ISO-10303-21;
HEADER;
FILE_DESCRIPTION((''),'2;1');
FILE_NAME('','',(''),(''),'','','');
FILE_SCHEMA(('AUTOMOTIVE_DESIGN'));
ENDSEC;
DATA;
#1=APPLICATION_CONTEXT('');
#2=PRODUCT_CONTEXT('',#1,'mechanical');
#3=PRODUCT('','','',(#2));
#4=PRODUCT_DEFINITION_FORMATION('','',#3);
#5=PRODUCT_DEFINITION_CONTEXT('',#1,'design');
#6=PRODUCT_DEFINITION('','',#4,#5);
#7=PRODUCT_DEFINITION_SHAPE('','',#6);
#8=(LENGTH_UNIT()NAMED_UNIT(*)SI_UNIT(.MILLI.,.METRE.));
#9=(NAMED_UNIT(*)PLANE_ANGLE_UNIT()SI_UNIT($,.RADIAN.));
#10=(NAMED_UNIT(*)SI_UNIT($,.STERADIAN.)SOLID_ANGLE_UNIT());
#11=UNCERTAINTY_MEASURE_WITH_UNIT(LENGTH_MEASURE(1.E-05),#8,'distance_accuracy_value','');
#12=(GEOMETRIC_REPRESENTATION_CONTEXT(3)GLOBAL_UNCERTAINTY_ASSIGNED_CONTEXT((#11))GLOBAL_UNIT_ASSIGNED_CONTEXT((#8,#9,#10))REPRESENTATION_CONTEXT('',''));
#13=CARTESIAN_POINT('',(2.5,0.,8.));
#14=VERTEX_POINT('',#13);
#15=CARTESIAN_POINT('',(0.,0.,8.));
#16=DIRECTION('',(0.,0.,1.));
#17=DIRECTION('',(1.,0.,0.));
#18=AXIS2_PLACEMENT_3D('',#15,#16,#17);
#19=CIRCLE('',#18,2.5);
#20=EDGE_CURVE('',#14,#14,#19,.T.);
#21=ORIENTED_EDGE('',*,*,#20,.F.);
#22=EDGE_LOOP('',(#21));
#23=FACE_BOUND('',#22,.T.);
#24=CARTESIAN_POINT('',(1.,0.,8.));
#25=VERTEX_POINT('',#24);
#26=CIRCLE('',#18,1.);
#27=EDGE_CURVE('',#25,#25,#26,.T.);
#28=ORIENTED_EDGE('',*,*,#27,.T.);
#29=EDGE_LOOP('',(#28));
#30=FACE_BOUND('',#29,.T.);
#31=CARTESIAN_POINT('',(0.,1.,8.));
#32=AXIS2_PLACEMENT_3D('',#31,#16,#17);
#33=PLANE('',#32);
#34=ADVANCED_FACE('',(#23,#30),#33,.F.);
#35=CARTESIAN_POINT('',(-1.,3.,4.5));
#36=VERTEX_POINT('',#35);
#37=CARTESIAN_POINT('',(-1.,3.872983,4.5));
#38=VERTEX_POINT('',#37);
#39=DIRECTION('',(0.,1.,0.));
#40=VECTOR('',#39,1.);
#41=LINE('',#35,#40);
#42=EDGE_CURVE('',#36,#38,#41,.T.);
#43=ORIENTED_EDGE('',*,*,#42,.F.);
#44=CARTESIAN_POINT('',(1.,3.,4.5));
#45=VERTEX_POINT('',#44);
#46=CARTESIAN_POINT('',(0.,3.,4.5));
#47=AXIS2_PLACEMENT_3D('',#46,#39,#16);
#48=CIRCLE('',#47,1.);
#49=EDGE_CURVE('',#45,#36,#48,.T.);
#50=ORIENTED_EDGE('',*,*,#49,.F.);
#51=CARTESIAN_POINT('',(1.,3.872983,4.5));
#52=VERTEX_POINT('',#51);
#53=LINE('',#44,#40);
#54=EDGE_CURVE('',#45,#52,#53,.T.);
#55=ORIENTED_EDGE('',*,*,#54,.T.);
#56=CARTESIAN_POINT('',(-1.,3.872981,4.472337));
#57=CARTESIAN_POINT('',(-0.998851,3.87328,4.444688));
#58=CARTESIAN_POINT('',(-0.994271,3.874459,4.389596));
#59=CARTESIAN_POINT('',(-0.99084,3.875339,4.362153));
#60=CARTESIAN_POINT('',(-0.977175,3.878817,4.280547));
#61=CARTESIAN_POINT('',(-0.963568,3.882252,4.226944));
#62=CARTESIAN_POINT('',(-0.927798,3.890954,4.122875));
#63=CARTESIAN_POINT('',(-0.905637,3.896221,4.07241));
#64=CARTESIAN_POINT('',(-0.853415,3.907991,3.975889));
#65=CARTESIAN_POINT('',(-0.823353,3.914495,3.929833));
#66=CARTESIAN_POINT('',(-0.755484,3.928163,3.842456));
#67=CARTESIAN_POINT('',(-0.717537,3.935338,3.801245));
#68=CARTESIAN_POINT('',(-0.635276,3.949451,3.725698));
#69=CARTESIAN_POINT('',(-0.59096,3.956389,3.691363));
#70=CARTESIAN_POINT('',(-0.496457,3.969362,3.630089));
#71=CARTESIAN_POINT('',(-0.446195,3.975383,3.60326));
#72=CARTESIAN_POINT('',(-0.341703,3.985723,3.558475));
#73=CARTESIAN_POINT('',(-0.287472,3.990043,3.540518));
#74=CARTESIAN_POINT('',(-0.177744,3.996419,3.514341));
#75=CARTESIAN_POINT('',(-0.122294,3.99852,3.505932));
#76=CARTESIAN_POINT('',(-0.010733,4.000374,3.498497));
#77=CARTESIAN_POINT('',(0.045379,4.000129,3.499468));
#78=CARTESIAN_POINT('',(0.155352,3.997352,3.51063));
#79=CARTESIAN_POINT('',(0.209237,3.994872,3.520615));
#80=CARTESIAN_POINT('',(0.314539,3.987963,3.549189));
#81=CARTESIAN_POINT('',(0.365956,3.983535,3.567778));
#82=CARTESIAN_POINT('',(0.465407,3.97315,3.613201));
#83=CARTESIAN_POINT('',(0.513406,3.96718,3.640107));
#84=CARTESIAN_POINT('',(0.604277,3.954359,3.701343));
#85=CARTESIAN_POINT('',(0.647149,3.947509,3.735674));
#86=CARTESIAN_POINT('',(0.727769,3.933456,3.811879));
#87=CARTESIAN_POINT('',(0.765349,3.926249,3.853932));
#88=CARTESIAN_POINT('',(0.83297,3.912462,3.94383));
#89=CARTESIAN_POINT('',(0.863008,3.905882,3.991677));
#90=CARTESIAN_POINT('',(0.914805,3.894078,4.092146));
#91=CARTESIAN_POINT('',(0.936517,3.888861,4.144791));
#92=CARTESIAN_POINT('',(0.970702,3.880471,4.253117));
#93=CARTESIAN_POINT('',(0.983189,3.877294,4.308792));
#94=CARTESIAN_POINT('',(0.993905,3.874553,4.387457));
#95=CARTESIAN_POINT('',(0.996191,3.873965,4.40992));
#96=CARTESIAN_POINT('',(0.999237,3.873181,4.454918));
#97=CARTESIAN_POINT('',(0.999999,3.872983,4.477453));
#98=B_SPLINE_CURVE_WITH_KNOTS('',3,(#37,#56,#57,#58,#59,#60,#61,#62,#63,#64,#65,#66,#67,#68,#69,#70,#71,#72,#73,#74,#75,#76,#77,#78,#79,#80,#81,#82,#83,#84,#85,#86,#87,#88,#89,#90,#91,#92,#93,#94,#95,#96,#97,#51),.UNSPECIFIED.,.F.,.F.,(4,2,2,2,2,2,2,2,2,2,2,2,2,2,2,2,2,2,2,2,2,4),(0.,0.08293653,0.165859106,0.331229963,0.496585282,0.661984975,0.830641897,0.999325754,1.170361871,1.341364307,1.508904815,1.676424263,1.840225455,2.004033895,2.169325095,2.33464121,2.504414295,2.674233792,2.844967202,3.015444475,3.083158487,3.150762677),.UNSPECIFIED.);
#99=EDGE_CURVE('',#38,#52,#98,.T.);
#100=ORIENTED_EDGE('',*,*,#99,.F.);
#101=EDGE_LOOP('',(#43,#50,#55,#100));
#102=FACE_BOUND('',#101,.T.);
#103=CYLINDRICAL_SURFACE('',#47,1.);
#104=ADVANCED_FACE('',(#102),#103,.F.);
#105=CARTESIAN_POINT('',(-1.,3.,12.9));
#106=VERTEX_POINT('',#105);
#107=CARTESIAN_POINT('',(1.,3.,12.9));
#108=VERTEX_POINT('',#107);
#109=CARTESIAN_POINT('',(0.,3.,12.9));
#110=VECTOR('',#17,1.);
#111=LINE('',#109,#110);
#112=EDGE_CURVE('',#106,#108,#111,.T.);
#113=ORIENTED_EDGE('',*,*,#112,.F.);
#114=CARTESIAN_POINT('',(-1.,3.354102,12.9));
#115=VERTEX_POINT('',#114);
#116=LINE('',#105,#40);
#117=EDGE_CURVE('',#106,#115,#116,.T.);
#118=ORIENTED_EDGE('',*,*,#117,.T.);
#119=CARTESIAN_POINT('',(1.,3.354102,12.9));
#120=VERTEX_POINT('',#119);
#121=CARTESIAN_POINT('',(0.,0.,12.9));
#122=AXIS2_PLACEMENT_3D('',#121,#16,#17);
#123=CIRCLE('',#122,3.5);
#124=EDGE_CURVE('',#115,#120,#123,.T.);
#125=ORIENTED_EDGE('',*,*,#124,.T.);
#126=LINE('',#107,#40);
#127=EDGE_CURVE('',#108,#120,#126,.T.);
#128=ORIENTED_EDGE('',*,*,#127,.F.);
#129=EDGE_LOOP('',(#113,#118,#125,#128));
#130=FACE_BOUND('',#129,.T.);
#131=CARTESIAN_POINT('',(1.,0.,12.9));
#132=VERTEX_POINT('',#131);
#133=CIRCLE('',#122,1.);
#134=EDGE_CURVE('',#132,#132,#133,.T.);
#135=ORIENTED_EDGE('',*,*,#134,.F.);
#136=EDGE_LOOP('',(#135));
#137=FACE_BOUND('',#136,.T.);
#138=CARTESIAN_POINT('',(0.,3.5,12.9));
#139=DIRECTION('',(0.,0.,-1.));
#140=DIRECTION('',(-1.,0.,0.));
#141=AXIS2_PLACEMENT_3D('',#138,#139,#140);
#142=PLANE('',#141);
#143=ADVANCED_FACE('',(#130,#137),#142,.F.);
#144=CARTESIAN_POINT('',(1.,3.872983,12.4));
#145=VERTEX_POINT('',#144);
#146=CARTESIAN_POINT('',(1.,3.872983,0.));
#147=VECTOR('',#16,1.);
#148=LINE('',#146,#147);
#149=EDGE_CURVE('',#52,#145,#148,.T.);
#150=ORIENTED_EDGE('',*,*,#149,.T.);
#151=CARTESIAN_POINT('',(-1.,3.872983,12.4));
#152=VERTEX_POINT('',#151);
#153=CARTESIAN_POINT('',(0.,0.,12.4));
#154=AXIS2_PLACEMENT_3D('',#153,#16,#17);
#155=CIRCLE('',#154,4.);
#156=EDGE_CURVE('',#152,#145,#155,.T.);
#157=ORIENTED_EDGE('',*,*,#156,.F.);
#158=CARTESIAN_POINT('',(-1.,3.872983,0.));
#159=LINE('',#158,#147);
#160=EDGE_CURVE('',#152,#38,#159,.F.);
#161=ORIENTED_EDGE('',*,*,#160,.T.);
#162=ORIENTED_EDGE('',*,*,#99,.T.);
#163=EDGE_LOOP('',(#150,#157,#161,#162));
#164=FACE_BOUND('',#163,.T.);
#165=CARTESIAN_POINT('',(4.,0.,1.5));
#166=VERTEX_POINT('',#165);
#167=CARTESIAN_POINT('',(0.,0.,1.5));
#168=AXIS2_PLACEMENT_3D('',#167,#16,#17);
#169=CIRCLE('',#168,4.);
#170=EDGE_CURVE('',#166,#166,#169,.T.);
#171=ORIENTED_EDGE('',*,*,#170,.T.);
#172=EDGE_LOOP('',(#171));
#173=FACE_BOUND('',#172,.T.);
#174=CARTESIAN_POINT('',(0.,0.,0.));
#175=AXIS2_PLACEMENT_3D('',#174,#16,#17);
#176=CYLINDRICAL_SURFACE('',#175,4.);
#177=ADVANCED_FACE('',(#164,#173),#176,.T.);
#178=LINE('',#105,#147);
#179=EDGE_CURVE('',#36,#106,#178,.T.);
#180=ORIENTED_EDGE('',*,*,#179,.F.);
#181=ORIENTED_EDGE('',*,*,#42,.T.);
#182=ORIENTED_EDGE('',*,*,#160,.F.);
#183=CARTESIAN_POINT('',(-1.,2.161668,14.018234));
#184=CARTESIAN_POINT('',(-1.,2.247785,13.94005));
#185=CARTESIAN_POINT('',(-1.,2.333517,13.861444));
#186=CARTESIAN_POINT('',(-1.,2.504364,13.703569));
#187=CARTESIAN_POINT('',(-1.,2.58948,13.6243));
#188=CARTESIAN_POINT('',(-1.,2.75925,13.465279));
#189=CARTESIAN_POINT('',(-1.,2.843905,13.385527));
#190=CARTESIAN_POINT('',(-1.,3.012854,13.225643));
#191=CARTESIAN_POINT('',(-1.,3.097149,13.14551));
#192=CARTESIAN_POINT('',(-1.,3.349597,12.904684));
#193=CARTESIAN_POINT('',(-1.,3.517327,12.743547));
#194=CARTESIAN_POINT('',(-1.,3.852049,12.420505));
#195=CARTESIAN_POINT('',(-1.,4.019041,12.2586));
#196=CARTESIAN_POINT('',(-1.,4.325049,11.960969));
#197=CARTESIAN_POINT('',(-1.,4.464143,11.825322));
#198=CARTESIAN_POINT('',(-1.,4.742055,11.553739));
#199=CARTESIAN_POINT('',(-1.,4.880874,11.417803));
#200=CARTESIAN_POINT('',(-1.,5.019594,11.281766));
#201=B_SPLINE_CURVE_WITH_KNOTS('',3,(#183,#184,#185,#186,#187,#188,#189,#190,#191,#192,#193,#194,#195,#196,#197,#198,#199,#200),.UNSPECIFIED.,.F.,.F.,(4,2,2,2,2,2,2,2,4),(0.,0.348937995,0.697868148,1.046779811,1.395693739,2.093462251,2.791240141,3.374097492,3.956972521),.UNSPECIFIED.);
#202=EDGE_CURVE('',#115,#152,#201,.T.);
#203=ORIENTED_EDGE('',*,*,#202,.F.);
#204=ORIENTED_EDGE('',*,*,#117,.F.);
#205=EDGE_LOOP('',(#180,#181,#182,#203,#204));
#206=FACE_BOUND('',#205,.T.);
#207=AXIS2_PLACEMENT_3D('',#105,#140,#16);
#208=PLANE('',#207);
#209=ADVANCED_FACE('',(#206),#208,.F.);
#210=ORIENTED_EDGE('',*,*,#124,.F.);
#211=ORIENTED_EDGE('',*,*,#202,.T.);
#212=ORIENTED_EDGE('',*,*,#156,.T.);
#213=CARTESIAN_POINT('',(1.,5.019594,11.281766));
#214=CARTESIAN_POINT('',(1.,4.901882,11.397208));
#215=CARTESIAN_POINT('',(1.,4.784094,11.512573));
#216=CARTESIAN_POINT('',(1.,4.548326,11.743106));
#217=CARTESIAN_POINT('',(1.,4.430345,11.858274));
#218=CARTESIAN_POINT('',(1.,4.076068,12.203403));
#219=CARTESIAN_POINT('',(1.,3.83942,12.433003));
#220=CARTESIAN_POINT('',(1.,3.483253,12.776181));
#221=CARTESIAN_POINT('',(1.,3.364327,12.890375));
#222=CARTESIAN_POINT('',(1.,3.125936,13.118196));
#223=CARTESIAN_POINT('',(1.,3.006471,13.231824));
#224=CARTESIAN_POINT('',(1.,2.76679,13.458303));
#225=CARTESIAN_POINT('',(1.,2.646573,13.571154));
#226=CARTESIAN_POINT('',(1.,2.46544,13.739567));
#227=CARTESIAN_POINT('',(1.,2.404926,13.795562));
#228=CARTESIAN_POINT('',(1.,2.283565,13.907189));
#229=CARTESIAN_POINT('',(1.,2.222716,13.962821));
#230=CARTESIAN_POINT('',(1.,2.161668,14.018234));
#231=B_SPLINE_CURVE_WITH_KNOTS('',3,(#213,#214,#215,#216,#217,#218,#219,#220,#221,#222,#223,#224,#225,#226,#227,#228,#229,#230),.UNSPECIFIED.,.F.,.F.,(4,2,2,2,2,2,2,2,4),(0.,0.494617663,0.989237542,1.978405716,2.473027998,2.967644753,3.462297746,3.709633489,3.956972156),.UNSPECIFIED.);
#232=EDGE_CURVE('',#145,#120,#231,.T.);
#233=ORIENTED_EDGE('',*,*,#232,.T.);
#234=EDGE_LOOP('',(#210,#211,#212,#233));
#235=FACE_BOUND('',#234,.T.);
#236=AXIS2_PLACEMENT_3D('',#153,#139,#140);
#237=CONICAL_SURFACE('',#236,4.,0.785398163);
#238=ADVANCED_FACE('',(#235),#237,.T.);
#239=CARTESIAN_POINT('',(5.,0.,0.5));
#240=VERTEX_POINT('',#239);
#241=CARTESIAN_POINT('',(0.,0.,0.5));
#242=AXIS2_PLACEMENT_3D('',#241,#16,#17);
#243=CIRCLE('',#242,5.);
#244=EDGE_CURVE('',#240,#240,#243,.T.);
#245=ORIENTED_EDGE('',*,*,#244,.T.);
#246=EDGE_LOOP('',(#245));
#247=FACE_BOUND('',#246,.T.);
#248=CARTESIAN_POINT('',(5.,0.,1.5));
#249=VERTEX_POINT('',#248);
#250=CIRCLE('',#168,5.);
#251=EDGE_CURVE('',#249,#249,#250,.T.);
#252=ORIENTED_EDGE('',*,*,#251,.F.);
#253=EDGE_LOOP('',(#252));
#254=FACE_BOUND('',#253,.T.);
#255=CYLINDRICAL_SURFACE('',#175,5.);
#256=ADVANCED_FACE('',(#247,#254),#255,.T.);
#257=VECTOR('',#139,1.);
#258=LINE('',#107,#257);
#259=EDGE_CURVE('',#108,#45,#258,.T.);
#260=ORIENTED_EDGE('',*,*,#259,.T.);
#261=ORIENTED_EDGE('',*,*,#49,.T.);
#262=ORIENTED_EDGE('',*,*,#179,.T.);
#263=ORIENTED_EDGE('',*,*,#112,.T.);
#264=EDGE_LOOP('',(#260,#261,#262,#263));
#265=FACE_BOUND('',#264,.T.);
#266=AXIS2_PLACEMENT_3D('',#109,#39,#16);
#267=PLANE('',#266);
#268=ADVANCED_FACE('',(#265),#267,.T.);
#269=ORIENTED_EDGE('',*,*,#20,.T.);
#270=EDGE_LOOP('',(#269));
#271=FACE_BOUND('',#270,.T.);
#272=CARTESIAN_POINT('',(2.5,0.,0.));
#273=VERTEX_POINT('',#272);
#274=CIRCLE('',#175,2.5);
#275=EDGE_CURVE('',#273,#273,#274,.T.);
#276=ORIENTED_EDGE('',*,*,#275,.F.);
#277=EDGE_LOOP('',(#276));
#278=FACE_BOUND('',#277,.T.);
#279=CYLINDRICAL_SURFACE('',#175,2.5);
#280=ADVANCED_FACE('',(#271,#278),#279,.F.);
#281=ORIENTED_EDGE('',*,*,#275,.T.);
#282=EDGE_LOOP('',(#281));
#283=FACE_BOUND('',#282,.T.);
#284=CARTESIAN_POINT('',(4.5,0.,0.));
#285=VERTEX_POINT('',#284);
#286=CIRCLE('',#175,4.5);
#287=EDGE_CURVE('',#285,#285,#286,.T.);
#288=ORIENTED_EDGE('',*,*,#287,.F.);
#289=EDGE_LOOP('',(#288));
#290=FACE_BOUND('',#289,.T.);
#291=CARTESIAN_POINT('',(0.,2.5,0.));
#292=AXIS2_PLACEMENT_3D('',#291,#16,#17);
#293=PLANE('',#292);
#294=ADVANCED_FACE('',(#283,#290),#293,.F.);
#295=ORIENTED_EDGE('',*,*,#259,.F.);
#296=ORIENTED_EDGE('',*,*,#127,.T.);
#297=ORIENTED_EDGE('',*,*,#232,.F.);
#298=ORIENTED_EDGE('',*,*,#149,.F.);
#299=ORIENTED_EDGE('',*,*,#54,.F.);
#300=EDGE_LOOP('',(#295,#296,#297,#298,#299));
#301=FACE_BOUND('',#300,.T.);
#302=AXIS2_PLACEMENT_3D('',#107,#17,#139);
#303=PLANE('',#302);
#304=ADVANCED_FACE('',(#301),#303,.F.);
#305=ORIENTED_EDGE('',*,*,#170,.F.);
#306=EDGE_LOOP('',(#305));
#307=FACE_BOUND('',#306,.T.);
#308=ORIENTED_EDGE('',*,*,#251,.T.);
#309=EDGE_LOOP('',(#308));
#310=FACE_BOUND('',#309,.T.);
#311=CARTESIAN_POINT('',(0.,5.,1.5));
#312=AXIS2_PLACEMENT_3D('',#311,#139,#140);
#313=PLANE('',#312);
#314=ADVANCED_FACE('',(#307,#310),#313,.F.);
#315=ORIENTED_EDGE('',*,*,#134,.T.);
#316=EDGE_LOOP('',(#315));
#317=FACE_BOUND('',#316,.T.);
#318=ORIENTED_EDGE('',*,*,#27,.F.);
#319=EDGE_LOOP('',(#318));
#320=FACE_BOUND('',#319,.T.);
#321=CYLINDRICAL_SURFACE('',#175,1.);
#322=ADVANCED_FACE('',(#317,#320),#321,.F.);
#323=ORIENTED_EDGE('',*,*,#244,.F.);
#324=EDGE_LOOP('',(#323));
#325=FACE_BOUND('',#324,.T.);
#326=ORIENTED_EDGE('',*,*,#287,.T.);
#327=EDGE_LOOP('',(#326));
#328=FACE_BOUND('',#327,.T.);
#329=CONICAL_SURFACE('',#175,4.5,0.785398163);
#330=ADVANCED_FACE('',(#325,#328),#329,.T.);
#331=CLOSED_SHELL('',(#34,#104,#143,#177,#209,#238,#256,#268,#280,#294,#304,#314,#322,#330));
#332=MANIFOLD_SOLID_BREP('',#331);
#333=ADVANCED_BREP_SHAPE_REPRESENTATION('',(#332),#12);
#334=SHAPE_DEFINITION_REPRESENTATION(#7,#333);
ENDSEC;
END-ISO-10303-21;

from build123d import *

# Parameters (mm, degrees)
CUT_EXTRUDE1_DEPTH = 1


with BuildPart() as part:
    # Sketch1 → Revolve1 (revolve)
    with BuildSketch(Plane(origin=(0, 0, 0), x_dir=(0, 0, -1), z_dir=(1, 0, 0)), mode=Mode.PRIVATE) as revolve1_sk:
        Polygon((0, 2.5), (0, 4.5), (-0.5, 5), (-1.5, 5), (-1.5, 4), (-12.4, 4), (-12.9, 3.5), (-12.9, 1), (-8, 1), (-8, 2.5), align=None)
    revolve(revolve1_sk.sketch.rotate(Axis((0, 0, 0), (0, 0, -1)), 90), axis=Axis((0, 0, 0), (0, 0, -1)))

    # Sketch2 → Cut-Extrude1 (cut)
    with BuildSketch(Plane(origin=(0, 4, 0), x_dir=(1, 0, 0), z_dir=(0, 1, 0))):
        with BuildLine():
            Line((-1, -12.9), (-1, -4.5))
            ThreePointArc((-1, -4.5), (0, -3.5), (1, -4.5))
            Line((1, -4.5), (1, -12.9))
            ThreePointArc((1, -12.9), (0, -13.9), (-1, -12.9))
        make_face()
    extrude(amount=-CUT_EXTRUDE1_DEPTH, mode=Mode.SUBTRACT)


solid = part.part
